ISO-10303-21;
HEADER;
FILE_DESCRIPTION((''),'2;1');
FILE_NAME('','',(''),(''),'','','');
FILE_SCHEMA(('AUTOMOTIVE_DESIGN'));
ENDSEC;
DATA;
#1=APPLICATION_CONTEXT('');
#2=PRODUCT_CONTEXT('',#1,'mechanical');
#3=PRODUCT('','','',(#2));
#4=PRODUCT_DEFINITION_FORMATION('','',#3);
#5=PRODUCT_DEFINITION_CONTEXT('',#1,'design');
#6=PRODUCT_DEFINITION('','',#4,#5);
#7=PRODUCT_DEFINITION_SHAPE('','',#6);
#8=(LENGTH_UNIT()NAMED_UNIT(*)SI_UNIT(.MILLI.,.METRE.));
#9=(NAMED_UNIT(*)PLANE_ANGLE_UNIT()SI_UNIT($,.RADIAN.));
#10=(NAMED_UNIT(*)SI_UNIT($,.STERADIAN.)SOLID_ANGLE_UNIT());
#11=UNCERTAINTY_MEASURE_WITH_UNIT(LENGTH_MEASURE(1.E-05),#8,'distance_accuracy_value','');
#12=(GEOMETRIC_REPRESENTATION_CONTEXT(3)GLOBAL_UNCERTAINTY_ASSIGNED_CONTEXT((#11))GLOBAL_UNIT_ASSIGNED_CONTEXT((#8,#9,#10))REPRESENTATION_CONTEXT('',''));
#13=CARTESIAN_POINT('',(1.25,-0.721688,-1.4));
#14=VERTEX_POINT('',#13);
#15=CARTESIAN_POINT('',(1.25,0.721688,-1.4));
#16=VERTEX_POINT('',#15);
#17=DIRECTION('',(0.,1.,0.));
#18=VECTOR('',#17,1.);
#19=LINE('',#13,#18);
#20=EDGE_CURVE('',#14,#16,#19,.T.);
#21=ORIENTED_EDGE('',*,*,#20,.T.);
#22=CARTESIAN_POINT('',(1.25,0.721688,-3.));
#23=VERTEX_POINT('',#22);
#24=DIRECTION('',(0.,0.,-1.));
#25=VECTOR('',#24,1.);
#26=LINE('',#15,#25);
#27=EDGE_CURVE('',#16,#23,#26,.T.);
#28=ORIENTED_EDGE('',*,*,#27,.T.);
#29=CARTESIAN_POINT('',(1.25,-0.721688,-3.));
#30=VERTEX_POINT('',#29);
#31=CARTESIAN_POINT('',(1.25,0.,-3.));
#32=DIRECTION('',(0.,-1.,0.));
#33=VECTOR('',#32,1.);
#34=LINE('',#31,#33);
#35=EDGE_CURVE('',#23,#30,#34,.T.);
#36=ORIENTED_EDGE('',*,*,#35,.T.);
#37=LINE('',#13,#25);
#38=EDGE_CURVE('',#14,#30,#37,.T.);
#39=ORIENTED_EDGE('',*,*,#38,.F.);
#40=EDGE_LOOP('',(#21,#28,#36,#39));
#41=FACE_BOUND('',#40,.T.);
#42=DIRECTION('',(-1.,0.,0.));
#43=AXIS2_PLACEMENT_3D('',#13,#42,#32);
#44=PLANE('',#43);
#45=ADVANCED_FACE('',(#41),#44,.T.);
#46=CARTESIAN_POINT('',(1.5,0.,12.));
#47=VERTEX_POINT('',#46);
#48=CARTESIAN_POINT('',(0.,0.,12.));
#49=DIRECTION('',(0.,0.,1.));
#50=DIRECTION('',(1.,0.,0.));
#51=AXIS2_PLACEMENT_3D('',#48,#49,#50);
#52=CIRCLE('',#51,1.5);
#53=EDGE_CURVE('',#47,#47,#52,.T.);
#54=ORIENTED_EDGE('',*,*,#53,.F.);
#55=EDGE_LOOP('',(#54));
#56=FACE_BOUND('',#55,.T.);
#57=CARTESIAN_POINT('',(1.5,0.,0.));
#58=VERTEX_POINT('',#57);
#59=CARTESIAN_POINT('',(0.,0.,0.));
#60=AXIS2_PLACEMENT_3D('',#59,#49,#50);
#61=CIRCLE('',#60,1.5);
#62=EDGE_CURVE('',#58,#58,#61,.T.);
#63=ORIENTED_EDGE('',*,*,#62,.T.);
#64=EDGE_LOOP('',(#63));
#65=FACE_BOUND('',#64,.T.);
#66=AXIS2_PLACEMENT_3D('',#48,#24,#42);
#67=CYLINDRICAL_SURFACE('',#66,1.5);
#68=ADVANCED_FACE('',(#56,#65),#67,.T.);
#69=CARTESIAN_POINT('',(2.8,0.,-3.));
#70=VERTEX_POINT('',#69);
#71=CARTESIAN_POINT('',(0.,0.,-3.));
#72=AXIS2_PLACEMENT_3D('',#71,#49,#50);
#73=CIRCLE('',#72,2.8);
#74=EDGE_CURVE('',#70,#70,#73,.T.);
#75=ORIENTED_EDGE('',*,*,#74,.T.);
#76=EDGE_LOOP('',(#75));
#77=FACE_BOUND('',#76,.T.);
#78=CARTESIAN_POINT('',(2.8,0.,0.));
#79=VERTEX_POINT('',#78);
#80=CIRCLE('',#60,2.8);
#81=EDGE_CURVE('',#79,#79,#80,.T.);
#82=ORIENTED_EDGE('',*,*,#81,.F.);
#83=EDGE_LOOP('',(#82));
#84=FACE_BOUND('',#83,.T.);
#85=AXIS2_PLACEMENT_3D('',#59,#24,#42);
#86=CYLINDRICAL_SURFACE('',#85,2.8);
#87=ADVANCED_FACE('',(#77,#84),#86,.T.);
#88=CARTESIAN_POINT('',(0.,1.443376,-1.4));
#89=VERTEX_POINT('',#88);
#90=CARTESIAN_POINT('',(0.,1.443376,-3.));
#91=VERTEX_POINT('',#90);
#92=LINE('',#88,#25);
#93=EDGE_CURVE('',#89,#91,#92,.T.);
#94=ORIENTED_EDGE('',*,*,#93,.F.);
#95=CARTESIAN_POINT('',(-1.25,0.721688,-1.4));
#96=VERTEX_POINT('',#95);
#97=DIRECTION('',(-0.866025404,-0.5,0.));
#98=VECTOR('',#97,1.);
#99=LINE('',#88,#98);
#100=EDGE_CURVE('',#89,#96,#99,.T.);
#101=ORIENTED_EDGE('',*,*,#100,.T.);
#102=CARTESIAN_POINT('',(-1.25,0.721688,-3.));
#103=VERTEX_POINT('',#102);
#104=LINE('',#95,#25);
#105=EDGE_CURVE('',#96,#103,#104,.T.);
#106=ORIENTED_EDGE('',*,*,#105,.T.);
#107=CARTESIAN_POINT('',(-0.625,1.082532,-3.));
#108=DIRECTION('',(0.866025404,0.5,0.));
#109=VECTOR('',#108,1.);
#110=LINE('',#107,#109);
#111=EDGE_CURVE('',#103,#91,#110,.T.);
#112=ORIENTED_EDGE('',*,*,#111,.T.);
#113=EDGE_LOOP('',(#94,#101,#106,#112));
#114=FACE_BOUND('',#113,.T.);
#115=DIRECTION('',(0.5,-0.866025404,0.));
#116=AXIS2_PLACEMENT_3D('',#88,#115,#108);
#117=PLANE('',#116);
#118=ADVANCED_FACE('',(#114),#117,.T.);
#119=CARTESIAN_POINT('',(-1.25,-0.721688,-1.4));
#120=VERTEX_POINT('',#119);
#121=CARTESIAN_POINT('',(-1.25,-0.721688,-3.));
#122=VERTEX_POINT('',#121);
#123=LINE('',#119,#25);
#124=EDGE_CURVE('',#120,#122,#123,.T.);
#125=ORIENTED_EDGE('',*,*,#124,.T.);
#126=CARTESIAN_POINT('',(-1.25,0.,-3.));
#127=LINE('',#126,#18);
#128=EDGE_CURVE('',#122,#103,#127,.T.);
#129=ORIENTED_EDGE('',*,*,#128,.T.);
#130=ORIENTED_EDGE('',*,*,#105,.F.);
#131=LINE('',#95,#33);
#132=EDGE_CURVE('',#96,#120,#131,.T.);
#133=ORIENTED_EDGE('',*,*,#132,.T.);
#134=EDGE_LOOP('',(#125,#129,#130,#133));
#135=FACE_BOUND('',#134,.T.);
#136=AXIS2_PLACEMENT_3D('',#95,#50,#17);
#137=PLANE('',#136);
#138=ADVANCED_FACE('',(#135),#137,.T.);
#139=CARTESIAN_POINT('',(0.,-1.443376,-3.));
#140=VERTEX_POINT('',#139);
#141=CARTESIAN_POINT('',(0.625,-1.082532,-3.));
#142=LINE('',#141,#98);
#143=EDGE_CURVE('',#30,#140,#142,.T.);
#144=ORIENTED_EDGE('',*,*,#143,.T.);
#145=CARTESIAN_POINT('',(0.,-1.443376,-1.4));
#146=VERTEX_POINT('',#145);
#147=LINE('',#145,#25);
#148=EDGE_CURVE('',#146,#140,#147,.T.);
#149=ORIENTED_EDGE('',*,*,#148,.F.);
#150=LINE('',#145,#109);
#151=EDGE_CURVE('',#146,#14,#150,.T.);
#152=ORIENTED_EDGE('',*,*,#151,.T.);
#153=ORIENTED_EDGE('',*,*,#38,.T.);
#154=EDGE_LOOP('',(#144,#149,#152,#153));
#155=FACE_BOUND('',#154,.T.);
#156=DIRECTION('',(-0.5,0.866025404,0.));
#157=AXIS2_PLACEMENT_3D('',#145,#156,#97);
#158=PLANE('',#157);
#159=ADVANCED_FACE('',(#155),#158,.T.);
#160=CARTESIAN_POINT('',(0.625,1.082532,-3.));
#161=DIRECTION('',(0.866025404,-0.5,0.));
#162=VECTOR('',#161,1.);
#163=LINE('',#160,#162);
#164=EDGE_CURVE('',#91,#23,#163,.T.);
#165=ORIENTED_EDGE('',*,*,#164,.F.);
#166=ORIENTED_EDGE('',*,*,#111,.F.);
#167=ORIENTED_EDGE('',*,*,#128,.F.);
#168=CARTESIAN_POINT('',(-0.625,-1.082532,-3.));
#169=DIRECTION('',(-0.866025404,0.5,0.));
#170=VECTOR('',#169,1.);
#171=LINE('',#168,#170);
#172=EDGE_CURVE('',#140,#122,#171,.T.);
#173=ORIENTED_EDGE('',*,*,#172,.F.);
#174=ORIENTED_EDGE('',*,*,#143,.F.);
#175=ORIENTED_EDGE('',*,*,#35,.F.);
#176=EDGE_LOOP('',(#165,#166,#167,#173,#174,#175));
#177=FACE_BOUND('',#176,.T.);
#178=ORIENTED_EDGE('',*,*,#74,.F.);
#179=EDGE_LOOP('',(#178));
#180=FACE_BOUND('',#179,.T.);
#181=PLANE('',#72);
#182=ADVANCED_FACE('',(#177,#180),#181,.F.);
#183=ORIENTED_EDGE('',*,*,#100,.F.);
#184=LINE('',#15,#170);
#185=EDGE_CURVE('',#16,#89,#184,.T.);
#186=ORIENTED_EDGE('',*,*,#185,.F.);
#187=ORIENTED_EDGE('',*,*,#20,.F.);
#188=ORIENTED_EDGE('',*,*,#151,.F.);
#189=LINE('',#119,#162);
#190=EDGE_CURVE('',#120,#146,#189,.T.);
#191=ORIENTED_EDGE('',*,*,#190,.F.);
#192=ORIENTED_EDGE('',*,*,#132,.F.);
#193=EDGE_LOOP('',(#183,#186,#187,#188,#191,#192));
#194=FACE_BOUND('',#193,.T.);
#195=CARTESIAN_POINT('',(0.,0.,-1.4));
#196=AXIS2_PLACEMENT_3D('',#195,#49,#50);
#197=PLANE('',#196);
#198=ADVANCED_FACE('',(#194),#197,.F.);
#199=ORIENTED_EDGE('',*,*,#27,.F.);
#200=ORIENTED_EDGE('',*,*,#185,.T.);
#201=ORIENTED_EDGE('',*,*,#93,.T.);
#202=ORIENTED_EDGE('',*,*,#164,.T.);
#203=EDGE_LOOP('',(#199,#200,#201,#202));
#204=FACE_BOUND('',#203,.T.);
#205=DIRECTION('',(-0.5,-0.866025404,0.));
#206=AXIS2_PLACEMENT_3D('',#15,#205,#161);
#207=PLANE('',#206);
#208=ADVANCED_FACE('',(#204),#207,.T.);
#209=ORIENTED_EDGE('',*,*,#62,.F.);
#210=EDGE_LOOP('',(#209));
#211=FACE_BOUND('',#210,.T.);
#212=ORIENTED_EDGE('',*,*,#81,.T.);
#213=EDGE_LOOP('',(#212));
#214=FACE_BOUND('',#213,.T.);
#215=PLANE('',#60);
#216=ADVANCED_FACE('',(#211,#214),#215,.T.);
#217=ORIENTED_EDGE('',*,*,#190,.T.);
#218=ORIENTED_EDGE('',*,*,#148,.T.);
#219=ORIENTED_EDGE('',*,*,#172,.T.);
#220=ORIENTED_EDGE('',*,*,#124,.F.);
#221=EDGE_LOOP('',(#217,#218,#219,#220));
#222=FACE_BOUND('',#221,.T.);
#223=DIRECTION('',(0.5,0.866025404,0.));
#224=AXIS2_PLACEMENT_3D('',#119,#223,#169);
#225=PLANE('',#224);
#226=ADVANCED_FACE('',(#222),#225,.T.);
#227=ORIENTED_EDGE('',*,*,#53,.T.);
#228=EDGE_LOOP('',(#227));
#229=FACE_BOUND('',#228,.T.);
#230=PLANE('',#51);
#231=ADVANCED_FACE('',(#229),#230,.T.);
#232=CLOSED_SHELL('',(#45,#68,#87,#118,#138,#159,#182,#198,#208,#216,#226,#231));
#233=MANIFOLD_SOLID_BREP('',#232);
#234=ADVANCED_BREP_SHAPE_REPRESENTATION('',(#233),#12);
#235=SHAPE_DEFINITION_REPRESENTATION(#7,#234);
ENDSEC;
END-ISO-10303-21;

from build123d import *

# Parameters (mm, degrees)
HEAD_START       = -3
SKETCH1_R        = 2.8
HEAD_DEPTH       = 3
SKETCH2_R        = 1.5
SHANK_DEPTH      = 12
HEX_START        = -3.2
HEX_SOCKET_DEPTH = 1.8


with BuildPart() as part:
    # Sketch1 → Head (new body)
    with BuildSketch(Plane.XY.offset(HEAD_START)):
        Circle(SKETCH1_R)
    extrude(amount=HEAD_DEPTH)

    # Sketch2 → Shank (add)
    with BuildSketch(Plane.XY):
        Circle(SKETCH2_R)
    extrude(amount=SHANK_DEPTH)

    # Sketch3 → Hex socket (cut)
    with BuildSketch(Plane.XY.offset(HEX_START)):
        Polygon((1.25, 0.721687836), (0, 1.443375673), (-1.25, 0.721687836), (-1.25, -0.721687836), (0, -1.443375673), (1.25, -0.721687836), align=None)
    extrude(amount=HEX_SOCKET_DEPTH, mode=Mode.SUBTRACT)


solid = part.part
